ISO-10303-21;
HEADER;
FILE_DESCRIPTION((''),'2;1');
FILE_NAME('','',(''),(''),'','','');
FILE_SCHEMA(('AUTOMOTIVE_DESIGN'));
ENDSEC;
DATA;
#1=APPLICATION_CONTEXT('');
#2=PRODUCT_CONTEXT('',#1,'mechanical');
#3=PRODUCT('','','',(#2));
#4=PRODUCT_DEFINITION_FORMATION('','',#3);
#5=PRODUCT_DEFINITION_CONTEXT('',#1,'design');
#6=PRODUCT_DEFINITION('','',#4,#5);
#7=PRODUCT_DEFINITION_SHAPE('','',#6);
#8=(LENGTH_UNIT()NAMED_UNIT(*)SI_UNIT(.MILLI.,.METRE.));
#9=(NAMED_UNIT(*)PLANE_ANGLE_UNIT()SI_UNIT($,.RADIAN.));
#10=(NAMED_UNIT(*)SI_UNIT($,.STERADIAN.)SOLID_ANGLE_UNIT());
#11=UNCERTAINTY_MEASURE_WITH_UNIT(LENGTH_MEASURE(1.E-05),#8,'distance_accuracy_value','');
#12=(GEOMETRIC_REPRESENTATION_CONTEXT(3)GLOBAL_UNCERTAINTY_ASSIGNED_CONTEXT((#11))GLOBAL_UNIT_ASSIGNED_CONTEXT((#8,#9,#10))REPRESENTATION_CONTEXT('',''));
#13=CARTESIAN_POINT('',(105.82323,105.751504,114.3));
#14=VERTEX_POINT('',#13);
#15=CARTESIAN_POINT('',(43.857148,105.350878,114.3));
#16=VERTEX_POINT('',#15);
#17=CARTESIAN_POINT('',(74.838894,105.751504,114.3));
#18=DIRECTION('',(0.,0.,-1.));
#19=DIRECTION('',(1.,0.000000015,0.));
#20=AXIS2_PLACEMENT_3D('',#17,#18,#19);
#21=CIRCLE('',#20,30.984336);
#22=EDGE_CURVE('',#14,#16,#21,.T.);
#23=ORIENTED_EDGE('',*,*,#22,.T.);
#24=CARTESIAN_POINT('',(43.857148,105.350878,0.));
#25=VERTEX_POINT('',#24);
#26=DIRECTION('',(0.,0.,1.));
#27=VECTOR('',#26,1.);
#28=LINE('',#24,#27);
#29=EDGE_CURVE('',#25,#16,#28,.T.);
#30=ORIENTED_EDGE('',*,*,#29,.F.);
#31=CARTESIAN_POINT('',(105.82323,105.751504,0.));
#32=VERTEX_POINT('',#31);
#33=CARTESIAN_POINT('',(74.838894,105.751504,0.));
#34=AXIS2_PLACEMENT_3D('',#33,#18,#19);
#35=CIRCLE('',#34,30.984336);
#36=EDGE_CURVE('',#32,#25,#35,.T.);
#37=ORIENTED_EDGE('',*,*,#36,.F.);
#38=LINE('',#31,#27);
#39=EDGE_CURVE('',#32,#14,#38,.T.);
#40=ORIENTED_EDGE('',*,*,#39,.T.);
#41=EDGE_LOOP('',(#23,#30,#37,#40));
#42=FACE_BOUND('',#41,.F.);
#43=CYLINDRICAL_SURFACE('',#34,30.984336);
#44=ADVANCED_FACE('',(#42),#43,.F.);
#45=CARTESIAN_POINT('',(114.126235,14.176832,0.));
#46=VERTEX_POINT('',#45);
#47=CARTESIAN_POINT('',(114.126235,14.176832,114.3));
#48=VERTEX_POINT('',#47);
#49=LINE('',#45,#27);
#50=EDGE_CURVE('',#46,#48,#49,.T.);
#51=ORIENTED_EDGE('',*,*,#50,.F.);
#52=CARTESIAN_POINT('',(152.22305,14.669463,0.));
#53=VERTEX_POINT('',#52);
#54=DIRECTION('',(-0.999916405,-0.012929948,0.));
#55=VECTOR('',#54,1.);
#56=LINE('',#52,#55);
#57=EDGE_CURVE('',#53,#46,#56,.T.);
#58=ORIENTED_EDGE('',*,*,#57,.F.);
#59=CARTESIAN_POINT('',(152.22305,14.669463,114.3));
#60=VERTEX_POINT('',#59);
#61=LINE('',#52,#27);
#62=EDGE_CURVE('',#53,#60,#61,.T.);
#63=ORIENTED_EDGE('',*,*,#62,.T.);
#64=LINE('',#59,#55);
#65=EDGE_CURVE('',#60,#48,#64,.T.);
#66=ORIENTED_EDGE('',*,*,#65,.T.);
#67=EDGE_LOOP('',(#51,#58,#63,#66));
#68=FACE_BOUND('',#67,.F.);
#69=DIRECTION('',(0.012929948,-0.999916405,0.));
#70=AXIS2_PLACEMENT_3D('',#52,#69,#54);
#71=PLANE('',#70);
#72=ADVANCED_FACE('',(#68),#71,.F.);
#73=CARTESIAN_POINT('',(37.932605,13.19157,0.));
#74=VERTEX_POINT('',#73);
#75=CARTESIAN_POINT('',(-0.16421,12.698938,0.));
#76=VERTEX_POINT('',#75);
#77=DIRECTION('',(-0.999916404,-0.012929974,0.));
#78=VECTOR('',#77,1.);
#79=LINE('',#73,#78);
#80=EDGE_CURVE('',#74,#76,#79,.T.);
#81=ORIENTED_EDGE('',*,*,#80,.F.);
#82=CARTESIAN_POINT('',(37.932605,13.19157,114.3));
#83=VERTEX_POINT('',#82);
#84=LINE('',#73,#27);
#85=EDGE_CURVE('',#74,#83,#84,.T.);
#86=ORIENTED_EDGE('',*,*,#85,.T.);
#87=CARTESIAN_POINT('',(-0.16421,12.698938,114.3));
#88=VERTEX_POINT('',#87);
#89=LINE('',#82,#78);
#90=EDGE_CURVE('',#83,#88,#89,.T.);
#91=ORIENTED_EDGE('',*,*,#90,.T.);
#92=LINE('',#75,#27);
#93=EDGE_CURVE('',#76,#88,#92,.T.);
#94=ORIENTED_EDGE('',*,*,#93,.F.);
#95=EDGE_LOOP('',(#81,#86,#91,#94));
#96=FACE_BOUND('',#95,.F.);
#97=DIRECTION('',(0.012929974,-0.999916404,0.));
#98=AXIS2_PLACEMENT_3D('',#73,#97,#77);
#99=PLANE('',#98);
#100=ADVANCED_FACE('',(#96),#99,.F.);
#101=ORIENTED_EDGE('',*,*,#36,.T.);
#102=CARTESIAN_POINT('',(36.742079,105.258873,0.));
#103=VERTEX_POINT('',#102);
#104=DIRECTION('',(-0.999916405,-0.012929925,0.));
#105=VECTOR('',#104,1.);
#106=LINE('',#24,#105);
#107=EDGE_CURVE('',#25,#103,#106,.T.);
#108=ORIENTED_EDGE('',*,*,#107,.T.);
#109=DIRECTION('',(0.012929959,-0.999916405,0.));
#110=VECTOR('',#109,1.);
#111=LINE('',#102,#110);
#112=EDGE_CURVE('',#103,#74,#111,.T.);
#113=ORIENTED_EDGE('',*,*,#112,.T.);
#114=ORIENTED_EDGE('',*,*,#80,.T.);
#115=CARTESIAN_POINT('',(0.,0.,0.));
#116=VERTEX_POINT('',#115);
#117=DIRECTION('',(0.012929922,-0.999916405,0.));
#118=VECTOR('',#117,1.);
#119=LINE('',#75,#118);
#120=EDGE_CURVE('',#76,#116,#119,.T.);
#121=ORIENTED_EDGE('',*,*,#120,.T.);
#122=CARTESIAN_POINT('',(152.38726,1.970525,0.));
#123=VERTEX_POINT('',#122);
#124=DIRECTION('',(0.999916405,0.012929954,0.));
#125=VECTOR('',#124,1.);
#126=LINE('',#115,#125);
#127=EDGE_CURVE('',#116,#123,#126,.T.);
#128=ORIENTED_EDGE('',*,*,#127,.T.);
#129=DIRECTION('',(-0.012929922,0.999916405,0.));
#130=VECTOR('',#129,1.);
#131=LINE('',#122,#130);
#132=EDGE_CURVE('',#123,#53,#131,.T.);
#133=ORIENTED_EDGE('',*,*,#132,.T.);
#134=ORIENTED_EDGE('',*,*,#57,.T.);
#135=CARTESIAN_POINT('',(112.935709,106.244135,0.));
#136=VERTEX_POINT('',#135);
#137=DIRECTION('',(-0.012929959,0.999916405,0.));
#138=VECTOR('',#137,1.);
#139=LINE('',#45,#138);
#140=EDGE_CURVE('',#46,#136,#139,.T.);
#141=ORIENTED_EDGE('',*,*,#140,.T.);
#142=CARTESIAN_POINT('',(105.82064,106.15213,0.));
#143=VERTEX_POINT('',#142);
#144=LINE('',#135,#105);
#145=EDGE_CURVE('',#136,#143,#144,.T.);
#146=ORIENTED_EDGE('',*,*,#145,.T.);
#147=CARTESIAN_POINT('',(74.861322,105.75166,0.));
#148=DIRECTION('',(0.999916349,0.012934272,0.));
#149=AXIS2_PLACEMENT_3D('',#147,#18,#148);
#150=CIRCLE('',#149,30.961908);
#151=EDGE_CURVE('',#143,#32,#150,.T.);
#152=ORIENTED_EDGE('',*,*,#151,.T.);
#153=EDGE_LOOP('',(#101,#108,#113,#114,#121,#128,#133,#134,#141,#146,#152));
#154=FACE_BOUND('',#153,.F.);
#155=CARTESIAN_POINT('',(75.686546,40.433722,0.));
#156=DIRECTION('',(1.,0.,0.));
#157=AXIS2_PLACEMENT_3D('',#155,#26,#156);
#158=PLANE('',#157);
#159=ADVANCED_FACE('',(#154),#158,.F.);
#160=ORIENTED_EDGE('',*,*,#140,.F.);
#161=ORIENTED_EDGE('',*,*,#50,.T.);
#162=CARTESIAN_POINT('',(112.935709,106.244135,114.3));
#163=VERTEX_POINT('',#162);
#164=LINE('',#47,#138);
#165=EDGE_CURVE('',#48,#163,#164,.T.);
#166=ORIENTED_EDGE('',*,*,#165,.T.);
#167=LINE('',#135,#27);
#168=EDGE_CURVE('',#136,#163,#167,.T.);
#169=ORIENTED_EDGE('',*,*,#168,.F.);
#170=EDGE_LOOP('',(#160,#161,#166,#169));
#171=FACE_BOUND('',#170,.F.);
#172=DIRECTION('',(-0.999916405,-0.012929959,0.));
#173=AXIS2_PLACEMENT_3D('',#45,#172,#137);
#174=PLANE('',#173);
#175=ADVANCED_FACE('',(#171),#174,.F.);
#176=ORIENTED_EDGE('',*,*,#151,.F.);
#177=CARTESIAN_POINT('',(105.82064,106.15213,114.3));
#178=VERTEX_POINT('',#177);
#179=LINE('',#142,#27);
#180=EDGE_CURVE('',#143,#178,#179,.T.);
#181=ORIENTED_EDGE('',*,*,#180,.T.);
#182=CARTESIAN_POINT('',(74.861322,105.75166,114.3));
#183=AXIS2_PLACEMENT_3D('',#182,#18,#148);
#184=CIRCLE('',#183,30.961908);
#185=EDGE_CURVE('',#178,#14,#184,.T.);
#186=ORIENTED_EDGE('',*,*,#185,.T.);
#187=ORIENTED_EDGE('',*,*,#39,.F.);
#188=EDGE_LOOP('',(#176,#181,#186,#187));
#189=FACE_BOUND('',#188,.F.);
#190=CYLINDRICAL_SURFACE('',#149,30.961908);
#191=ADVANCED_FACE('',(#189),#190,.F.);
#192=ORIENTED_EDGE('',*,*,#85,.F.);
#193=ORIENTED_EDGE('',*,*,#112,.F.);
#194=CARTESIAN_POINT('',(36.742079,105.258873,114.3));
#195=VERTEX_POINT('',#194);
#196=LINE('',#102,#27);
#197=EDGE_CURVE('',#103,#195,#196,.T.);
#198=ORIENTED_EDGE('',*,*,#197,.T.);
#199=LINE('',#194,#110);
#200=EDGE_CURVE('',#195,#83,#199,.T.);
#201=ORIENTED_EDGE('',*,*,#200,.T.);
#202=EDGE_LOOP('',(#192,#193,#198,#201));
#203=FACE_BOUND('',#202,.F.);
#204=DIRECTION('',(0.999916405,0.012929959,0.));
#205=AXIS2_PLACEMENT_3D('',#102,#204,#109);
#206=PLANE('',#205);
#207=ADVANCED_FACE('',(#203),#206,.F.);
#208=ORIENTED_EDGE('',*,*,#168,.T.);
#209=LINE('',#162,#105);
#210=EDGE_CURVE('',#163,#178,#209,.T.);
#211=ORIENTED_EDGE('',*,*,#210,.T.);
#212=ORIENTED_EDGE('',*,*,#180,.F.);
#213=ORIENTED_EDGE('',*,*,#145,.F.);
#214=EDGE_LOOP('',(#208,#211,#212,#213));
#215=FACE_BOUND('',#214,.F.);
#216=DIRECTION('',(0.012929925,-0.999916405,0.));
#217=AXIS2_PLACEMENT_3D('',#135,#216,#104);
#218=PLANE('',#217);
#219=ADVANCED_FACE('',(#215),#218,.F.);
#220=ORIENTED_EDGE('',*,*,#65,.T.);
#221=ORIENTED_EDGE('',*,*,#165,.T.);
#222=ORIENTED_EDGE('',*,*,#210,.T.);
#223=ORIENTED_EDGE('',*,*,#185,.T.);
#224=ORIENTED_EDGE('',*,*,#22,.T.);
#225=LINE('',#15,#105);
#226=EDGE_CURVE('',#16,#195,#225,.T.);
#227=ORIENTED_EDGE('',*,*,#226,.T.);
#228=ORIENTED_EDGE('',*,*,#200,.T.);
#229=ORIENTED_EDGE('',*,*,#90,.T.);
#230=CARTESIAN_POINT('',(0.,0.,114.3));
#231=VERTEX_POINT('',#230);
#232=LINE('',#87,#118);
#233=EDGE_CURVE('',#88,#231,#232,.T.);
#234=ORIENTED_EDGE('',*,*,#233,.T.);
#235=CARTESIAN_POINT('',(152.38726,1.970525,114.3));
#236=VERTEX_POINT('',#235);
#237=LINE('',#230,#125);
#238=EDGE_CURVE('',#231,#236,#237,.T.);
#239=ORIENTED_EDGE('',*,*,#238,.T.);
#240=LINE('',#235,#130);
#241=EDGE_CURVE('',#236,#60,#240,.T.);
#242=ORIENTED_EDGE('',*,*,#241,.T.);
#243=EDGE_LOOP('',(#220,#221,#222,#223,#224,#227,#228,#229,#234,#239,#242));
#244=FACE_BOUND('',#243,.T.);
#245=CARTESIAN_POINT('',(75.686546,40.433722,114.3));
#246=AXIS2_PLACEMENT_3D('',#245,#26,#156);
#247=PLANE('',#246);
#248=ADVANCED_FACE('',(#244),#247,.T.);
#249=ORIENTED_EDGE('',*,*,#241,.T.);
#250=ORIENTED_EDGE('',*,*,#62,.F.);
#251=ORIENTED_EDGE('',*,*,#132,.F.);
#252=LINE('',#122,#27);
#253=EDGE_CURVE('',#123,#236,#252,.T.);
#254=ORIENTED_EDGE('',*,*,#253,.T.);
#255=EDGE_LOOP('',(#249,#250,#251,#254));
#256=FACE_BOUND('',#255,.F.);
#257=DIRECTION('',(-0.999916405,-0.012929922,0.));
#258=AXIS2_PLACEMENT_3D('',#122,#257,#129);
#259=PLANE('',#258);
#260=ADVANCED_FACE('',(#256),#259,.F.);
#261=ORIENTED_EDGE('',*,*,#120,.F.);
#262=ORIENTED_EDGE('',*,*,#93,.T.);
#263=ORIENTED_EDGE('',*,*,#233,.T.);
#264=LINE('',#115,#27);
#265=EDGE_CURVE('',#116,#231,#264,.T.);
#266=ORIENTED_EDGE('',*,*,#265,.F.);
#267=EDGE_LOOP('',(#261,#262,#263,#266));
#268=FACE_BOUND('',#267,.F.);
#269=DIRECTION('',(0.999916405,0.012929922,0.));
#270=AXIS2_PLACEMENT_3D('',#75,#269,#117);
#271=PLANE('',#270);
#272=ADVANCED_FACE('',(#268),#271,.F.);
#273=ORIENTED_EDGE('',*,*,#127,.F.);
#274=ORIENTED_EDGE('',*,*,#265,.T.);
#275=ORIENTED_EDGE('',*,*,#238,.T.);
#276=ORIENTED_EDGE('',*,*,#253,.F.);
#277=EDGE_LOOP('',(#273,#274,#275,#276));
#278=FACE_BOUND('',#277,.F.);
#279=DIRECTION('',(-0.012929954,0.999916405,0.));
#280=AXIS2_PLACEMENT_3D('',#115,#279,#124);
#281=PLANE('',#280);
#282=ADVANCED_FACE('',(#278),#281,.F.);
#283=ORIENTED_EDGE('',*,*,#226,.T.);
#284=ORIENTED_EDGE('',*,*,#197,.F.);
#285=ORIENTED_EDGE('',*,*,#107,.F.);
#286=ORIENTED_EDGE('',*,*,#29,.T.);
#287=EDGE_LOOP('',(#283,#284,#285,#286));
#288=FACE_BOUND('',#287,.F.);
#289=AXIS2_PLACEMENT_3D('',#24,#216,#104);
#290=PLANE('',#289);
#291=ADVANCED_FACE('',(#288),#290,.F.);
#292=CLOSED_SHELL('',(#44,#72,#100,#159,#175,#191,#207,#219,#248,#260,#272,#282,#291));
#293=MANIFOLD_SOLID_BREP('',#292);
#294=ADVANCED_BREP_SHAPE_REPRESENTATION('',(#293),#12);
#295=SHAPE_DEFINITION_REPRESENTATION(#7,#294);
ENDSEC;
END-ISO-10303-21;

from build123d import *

# Parameters (mm, degrees)
F1_DEPTH = 114.3


with BuildPart() as f1:
    # F0 (on Top) → F1 (new body)
    with BuildSketch(Plane.XY):
        with BuildLine():
            Line((0, 0), (152.38726, 1.970525))
            Line((152.38726, 1.970525), (152.22305, 14.669463))
            Line((152.22305, 14.669463), (114.126235, 14.176832))
            Line((114.126235, 14.176832), (112.935709, 106.244135))
            Line((112.935709, 106.244135), (105.82064, 106.15213))
            ThreePointArc((105.82064, 106.15213), (105.822583, 105.951821), (105.82323, 105.751504))
            ThreePointArc((105.82323, 105.751504), (75.039211, 74.767815), (43.857148, 105.350878))
            Line((43.857148, 105.350878), (36.742079, 105.258873))
            Line((36.742079, 105.258873), (37.932605, 13.19157))
            Line((37.932605, 13.19157), (-0.16421, 12.698938))
            Line((-0.16421, 12.698938), (0, 0))
        make_face()
    extrude(amount=F1_DEPTH)


solid = f1.part
